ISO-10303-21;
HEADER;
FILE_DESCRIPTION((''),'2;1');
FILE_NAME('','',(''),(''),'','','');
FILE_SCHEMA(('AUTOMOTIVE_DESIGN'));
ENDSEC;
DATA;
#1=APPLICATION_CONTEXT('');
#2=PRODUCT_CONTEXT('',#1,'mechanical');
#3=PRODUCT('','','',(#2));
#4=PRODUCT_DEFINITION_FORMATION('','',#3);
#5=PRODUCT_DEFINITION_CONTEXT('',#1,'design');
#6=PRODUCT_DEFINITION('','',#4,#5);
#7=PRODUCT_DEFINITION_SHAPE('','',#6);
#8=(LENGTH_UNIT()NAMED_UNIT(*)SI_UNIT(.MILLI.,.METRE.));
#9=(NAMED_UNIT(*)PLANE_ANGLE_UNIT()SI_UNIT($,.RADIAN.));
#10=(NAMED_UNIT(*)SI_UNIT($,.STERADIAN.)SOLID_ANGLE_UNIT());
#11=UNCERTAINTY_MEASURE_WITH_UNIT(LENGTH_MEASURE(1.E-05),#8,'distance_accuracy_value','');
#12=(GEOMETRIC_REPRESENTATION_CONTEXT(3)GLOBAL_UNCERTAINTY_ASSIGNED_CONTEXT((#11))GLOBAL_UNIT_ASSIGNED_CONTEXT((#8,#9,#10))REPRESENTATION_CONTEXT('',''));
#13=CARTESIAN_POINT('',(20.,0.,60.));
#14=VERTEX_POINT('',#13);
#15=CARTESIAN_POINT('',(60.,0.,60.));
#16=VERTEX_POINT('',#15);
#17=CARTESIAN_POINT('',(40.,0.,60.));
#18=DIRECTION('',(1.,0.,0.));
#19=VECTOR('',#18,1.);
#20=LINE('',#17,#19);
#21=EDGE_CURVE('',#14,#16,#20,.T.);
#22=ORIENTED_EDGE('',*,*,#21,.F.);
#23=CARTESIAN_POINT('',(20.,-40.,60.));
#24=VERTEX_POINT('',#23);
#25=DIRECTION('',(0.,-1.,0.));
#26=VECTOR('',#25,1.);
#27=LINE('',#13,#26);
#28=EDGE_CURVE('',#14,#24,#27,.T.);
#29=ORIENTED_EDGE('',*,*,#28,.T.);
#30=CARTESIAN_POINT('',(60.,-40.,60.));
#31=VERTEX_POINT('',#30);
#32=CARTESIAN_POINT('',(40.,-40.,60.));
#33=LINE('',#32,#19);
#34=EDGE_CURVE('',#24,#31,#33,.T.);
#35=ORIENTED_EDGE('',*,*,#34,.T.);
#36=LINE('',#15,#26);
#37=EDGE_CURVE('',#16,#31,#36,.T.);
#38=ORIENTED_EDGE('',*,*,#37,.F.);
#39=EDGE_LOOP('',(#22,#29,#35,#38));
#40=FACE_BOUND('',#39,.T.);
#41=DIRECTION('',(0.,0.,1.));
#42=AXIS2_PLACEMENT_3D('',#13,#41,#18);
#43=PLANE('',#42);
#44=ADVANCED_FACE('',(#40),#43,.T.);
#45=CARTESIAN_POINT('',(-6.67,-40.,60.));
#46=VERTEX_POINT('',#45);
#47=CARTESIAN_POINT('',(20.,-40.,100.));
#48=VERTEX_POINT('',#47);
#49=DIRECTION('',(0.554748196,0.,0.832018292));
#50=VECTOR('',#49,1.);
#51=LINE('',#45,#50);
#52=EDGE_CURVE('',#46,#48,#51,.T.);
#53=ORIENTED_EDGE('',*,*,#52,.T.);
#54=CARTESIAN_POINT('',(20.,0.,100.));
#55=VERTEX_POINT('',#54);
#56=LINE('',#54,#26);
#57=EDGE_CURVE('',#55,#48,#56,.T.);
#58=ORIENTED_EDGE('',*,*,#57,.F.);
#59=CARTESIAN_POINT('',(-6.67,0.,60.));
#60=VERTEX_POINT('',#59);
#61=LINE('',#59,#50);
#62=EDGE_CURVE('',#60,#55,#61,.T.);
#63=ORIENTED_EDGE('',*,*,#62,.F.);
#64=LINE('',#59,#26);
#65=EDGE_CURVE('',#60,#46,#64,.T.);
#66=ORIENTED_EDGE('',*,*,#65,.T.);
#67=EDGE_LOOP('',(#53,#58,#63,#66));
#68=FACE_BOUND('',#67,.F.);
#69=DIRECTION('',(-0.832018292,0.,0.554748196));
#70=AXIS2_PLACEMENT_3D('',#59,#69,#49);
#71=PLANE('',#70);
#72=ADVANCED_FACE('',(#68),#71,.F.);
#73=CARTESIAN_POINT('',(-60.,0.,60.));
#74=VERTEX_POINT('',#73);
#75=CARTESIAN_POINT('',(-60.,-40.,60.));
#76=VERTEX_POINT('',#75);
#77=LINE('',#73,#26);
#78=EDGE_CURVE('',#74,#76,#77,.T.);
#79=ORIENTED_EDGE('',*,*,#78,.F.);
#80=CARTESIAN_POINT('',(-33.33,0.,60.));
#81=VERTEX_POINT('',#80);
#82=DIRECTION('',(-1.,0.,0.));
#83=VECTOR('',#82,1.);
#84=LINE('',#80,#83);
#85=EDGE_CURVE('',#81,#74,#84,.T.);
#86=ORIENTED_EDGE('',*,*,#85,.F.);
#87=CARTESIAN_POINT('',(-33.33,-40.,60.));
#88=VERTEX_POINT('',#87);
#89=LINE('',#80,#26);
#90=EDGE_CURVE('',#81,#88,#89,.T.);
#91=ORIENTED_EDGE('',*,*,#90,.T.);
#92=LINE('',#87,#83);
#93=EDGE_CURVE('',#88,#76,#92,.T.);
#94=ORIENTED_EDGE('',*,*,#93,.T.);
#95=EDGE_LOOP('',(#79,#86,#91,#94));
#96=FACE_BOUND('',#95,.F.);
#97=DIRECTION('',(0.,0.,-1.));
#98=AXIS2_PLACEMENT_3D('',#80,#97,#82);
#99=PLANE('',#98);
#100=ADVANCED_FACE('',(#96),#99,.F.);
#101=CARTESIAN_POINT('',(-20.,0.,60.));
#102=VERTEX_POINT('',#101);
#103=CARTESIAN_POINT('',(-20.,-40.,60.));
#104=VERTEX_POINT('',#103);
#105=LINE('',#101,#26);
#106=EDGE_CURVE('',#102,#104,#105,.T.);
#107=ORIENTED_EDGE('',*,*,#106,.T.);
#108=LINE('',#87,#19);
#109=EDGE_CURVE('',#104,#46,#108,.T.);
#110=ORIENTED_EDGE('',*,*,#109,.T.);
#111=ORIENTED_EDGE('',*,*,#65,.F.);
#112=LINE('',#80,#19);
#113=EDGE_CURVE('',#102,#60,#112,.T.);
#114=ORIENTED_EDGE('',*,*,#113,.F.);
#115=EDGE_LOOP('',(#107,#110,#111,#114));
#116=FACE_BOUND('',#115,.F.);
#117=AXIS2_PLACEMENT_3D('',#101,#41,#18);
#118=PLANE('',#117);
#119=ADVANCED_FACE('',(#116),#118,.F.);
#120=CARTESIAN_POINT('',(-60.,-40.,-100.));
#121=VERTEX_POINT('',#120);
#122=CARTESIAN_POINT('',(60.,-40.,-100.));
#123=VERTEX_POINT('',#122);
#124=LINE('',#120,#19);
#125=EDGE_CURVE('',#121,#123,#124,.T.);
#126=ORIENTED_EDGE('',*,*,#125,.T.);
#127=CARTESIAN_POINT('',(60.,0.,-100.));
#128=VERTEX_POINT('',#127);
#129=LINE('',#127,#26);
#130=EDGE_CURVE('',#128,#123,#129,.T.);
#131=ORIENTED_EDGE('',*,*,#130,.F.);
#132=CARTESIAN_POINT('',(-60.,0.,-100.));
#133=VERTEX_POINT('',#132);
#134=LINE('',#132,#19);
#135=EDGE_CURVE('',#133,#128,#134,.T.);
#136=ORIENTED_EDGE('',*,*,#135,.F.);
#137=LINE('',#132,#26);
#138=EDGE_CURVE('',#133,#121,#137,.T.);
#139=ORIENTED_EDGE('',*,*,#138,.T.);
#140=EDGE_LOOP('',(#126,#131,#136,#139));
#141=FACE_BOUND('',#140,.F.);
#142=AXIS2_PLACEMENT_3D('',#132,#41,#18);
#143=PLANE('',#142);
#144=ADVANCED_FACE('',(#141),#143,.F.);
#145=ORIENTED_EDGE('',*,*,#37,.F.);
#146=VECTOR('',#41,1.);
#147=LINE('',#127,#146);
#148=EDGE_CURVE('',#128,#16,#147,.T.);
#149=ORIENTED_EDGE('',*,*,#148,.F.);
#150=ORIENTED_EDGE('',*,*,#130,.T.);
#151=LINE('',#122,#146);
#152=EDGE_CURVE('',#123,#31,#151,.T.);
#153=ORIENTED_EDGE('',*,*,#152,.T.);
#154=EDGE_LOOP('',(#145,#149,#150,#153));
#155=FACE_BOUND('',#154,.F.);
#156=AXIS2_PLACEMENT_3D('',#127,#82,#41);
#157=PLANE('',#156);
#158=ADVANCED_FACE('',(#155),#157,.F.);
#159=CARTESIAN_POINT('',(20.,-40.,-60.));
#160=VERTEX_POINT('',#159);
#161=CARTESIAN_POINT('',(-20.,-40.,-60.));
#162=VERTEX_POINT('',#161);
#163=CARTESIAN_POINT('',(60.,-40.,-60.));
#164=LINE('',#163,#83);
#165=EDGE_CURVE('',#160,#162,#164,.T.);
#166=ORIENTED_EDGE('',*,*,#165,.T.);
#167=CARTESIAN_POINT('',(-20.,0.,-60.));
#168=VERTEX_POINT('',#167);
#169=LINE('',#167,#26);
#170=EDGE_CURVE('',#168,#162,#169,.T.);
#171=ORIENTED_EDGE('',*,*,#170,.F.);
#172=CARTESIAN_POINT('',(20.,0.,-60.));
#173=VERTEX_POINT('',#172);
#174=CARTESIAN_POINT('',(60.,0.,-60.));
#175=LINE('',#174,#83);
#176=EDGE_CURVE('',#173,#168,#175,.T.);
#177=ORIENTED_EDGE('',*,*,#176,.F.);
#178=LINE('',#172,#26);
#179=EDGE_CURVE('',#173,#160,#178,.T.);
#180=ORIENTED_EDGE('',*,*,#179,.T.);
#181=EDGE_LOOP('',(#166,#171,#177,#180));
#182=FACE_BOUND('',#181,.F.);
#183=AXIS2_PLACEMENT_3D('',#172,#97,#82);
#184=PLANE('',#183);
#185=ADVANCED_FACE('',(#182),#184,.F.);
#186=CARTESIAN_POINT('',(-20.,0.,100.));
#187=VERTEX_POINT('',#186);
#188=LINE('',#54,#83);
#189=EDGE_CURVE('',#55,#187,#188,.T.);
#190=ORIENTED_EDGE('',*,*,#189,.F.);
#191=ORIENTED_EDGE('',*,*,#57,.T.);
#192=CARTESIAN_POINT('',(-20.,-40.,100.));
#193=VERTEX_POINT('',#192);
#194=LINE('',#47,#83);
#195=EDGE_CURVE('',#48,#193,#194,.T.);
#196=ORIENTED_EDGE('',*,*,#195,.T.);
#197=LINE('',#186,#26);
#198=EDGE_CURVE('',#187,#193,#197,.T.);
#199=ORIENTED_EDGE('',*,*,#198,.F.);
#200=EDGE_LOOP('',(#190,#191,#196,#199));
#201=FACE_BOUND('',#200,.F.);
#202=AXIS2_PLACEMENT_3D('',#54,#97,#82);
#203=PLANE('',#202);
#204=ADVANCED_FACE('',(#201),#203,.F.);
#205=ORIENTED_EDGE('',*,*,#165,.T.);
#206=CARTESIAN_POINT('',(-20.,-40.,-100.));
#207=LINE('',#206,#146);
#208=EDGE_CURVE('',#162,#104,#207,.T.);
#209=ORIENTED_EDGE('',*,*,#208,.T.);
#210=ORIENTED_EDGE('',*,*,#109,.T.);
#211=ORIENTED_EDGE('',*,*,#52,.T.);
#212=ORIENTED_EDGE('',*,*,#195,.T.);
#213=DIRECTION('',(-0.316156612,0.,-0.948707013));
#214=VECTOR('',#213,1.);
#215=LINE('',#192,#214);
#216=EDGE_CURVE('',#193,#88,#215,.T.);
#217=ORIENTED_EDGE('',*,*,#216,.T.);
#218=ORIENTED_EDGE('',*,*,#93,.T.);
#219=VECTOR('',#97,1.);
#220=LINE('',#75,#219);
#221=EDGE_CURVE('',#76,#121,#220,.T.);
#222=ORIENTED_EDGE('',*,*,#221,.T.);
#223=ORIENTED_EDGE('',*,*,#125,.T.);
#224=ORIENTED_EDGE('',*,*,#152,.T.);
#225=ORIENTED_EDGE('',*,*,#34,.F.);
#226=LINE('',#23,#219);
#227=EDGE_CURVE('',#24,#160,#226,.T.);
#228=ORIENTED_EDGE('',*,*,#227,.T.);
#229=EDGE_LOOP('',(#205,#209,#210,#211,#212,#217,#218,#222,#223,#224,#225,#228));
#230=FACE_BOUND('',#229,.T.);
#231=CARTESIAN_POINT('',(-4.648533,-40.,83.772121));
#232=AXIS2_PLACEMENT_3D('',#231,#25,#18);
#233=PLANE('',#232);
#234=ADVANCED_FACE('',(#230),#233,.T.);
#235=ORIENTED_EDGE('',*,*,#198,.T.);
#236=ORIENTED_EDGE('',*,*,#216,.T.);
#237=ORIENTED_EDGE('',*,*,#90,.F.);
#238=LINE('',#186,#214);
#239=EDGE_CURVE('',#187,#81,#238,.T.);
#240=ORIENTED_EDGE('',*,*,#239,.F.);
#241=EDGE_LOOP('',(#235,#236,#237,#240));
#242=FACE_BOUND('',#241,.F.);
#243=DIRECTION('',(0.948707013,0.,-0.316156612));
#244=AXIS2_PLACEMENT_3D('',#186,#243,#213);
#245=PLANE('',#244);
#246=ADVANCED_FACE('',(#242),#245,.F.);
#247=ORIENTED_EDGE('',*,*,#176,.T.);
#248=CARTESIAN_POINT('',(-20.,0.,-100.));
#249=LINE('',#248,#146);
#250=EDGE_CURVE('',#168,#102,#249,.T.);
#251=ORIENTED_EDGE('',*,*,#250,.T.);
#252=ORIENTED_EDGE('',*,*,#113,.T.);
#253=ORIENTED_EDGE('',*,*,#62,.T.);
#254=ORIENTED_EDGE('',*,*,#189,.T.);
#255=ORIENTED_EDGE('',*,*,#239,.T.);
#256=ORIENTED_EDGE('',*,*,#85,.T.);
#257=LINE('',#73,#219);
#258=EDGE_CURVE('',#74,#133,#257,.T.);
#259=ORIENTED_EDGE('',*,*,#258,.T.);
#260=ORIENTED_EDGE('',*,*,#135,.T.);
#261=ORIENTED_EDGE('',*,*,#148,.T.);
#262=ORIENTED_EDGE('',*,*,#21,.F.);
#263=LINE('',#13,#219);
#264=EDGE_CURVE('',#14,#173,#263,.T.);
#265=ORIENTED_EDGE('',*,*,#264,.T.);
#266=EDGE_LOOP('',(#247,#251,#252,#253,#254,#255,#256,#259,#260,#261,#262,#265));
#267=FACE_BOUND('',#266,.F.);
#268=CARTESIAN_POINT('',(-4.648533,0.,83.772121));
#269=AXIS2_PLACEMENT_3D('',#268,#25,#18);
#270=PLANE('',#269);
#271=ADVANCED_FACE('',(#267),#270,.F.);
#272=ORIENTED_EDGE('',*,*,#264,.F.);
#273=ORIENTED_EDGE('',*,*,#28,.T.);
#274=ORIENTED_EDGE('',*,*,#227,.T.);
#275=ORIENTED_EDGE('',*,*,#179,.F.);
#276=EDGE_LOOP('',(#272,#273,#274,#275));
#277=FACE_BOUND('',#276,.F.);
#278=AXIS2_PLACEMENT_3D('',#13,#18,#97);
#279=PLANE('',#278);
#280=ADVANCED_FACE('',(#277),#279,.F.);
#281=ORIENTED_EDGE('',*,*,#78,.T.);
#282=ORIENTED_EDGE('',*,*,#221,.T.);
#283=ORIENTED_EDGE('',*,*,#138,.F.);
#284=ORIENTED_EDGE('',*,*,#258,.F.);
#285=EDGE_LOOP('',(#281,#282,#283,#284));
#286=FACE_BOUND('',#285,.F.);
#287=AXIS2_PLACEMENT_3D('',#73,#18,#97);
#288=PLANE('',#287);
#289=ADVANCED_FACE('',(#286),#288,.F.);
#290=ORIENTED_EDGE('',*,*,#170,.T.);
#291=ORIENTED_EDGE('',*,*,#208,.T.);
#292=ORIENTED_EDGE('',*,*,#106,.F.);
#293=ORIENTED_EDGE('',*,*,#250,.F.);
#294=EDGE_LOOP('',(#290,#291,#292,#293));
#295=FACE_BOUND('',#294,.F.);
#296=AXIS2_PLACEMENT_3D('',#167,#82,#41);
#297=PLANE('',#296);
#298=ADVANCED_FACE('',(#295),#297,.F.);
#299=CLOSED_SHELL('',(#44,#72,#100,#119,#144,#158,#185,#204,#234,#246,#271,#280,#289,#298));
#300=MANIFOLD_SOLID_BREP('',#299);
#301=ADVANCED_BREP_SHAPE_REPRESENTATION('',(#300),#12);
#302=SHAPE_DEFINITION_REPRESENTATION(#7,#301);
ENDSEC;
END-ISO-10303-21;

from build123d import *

# Parameters (mm, degrees)
F0_W     = 40
F0_H     = 40
F1_DEPTH = 40


with BuildPart() as f1:
    # F0 (on Front) → F1 (new body)
    with BuildSketch(Plane.XZ):
        Polygon((-6.67, 60), (20, 100), (-20, 100), (-20, 60), align=None)
        Polygon((-20, 60), (-20, 100), (-33.33, 60), align=None)
        Polygon((-20, 20), (-20, 60), (-33.33, 60), (-60, 60), (-60, 20), align=None)
        with Locations((-40, 0)):
            Rectangle(F0_W, F0_H)
        with Locations((-40, -40)):
            Rectangle(F0_W, F0_H)
        with Locations((-40, -80)):
            Rectangle(F0_W, F0_H)
        with Locations((0, -80)):
            Rectangle(F0_W, F0_H)
        with Locations((40, -80)):
            Rectangle(F0_W, F0_H)
        with Locations((40, -40)):
            Rectangle(F0_W, F0_H)
        with Locations((40, 0)):
            Rectangle(F0_W, F0_H)
        with Locations((40, 40)):
            Rectangle(F0_W, F0_H)
    extrude(amount=F1_DEPTH)


solid = f1.part
